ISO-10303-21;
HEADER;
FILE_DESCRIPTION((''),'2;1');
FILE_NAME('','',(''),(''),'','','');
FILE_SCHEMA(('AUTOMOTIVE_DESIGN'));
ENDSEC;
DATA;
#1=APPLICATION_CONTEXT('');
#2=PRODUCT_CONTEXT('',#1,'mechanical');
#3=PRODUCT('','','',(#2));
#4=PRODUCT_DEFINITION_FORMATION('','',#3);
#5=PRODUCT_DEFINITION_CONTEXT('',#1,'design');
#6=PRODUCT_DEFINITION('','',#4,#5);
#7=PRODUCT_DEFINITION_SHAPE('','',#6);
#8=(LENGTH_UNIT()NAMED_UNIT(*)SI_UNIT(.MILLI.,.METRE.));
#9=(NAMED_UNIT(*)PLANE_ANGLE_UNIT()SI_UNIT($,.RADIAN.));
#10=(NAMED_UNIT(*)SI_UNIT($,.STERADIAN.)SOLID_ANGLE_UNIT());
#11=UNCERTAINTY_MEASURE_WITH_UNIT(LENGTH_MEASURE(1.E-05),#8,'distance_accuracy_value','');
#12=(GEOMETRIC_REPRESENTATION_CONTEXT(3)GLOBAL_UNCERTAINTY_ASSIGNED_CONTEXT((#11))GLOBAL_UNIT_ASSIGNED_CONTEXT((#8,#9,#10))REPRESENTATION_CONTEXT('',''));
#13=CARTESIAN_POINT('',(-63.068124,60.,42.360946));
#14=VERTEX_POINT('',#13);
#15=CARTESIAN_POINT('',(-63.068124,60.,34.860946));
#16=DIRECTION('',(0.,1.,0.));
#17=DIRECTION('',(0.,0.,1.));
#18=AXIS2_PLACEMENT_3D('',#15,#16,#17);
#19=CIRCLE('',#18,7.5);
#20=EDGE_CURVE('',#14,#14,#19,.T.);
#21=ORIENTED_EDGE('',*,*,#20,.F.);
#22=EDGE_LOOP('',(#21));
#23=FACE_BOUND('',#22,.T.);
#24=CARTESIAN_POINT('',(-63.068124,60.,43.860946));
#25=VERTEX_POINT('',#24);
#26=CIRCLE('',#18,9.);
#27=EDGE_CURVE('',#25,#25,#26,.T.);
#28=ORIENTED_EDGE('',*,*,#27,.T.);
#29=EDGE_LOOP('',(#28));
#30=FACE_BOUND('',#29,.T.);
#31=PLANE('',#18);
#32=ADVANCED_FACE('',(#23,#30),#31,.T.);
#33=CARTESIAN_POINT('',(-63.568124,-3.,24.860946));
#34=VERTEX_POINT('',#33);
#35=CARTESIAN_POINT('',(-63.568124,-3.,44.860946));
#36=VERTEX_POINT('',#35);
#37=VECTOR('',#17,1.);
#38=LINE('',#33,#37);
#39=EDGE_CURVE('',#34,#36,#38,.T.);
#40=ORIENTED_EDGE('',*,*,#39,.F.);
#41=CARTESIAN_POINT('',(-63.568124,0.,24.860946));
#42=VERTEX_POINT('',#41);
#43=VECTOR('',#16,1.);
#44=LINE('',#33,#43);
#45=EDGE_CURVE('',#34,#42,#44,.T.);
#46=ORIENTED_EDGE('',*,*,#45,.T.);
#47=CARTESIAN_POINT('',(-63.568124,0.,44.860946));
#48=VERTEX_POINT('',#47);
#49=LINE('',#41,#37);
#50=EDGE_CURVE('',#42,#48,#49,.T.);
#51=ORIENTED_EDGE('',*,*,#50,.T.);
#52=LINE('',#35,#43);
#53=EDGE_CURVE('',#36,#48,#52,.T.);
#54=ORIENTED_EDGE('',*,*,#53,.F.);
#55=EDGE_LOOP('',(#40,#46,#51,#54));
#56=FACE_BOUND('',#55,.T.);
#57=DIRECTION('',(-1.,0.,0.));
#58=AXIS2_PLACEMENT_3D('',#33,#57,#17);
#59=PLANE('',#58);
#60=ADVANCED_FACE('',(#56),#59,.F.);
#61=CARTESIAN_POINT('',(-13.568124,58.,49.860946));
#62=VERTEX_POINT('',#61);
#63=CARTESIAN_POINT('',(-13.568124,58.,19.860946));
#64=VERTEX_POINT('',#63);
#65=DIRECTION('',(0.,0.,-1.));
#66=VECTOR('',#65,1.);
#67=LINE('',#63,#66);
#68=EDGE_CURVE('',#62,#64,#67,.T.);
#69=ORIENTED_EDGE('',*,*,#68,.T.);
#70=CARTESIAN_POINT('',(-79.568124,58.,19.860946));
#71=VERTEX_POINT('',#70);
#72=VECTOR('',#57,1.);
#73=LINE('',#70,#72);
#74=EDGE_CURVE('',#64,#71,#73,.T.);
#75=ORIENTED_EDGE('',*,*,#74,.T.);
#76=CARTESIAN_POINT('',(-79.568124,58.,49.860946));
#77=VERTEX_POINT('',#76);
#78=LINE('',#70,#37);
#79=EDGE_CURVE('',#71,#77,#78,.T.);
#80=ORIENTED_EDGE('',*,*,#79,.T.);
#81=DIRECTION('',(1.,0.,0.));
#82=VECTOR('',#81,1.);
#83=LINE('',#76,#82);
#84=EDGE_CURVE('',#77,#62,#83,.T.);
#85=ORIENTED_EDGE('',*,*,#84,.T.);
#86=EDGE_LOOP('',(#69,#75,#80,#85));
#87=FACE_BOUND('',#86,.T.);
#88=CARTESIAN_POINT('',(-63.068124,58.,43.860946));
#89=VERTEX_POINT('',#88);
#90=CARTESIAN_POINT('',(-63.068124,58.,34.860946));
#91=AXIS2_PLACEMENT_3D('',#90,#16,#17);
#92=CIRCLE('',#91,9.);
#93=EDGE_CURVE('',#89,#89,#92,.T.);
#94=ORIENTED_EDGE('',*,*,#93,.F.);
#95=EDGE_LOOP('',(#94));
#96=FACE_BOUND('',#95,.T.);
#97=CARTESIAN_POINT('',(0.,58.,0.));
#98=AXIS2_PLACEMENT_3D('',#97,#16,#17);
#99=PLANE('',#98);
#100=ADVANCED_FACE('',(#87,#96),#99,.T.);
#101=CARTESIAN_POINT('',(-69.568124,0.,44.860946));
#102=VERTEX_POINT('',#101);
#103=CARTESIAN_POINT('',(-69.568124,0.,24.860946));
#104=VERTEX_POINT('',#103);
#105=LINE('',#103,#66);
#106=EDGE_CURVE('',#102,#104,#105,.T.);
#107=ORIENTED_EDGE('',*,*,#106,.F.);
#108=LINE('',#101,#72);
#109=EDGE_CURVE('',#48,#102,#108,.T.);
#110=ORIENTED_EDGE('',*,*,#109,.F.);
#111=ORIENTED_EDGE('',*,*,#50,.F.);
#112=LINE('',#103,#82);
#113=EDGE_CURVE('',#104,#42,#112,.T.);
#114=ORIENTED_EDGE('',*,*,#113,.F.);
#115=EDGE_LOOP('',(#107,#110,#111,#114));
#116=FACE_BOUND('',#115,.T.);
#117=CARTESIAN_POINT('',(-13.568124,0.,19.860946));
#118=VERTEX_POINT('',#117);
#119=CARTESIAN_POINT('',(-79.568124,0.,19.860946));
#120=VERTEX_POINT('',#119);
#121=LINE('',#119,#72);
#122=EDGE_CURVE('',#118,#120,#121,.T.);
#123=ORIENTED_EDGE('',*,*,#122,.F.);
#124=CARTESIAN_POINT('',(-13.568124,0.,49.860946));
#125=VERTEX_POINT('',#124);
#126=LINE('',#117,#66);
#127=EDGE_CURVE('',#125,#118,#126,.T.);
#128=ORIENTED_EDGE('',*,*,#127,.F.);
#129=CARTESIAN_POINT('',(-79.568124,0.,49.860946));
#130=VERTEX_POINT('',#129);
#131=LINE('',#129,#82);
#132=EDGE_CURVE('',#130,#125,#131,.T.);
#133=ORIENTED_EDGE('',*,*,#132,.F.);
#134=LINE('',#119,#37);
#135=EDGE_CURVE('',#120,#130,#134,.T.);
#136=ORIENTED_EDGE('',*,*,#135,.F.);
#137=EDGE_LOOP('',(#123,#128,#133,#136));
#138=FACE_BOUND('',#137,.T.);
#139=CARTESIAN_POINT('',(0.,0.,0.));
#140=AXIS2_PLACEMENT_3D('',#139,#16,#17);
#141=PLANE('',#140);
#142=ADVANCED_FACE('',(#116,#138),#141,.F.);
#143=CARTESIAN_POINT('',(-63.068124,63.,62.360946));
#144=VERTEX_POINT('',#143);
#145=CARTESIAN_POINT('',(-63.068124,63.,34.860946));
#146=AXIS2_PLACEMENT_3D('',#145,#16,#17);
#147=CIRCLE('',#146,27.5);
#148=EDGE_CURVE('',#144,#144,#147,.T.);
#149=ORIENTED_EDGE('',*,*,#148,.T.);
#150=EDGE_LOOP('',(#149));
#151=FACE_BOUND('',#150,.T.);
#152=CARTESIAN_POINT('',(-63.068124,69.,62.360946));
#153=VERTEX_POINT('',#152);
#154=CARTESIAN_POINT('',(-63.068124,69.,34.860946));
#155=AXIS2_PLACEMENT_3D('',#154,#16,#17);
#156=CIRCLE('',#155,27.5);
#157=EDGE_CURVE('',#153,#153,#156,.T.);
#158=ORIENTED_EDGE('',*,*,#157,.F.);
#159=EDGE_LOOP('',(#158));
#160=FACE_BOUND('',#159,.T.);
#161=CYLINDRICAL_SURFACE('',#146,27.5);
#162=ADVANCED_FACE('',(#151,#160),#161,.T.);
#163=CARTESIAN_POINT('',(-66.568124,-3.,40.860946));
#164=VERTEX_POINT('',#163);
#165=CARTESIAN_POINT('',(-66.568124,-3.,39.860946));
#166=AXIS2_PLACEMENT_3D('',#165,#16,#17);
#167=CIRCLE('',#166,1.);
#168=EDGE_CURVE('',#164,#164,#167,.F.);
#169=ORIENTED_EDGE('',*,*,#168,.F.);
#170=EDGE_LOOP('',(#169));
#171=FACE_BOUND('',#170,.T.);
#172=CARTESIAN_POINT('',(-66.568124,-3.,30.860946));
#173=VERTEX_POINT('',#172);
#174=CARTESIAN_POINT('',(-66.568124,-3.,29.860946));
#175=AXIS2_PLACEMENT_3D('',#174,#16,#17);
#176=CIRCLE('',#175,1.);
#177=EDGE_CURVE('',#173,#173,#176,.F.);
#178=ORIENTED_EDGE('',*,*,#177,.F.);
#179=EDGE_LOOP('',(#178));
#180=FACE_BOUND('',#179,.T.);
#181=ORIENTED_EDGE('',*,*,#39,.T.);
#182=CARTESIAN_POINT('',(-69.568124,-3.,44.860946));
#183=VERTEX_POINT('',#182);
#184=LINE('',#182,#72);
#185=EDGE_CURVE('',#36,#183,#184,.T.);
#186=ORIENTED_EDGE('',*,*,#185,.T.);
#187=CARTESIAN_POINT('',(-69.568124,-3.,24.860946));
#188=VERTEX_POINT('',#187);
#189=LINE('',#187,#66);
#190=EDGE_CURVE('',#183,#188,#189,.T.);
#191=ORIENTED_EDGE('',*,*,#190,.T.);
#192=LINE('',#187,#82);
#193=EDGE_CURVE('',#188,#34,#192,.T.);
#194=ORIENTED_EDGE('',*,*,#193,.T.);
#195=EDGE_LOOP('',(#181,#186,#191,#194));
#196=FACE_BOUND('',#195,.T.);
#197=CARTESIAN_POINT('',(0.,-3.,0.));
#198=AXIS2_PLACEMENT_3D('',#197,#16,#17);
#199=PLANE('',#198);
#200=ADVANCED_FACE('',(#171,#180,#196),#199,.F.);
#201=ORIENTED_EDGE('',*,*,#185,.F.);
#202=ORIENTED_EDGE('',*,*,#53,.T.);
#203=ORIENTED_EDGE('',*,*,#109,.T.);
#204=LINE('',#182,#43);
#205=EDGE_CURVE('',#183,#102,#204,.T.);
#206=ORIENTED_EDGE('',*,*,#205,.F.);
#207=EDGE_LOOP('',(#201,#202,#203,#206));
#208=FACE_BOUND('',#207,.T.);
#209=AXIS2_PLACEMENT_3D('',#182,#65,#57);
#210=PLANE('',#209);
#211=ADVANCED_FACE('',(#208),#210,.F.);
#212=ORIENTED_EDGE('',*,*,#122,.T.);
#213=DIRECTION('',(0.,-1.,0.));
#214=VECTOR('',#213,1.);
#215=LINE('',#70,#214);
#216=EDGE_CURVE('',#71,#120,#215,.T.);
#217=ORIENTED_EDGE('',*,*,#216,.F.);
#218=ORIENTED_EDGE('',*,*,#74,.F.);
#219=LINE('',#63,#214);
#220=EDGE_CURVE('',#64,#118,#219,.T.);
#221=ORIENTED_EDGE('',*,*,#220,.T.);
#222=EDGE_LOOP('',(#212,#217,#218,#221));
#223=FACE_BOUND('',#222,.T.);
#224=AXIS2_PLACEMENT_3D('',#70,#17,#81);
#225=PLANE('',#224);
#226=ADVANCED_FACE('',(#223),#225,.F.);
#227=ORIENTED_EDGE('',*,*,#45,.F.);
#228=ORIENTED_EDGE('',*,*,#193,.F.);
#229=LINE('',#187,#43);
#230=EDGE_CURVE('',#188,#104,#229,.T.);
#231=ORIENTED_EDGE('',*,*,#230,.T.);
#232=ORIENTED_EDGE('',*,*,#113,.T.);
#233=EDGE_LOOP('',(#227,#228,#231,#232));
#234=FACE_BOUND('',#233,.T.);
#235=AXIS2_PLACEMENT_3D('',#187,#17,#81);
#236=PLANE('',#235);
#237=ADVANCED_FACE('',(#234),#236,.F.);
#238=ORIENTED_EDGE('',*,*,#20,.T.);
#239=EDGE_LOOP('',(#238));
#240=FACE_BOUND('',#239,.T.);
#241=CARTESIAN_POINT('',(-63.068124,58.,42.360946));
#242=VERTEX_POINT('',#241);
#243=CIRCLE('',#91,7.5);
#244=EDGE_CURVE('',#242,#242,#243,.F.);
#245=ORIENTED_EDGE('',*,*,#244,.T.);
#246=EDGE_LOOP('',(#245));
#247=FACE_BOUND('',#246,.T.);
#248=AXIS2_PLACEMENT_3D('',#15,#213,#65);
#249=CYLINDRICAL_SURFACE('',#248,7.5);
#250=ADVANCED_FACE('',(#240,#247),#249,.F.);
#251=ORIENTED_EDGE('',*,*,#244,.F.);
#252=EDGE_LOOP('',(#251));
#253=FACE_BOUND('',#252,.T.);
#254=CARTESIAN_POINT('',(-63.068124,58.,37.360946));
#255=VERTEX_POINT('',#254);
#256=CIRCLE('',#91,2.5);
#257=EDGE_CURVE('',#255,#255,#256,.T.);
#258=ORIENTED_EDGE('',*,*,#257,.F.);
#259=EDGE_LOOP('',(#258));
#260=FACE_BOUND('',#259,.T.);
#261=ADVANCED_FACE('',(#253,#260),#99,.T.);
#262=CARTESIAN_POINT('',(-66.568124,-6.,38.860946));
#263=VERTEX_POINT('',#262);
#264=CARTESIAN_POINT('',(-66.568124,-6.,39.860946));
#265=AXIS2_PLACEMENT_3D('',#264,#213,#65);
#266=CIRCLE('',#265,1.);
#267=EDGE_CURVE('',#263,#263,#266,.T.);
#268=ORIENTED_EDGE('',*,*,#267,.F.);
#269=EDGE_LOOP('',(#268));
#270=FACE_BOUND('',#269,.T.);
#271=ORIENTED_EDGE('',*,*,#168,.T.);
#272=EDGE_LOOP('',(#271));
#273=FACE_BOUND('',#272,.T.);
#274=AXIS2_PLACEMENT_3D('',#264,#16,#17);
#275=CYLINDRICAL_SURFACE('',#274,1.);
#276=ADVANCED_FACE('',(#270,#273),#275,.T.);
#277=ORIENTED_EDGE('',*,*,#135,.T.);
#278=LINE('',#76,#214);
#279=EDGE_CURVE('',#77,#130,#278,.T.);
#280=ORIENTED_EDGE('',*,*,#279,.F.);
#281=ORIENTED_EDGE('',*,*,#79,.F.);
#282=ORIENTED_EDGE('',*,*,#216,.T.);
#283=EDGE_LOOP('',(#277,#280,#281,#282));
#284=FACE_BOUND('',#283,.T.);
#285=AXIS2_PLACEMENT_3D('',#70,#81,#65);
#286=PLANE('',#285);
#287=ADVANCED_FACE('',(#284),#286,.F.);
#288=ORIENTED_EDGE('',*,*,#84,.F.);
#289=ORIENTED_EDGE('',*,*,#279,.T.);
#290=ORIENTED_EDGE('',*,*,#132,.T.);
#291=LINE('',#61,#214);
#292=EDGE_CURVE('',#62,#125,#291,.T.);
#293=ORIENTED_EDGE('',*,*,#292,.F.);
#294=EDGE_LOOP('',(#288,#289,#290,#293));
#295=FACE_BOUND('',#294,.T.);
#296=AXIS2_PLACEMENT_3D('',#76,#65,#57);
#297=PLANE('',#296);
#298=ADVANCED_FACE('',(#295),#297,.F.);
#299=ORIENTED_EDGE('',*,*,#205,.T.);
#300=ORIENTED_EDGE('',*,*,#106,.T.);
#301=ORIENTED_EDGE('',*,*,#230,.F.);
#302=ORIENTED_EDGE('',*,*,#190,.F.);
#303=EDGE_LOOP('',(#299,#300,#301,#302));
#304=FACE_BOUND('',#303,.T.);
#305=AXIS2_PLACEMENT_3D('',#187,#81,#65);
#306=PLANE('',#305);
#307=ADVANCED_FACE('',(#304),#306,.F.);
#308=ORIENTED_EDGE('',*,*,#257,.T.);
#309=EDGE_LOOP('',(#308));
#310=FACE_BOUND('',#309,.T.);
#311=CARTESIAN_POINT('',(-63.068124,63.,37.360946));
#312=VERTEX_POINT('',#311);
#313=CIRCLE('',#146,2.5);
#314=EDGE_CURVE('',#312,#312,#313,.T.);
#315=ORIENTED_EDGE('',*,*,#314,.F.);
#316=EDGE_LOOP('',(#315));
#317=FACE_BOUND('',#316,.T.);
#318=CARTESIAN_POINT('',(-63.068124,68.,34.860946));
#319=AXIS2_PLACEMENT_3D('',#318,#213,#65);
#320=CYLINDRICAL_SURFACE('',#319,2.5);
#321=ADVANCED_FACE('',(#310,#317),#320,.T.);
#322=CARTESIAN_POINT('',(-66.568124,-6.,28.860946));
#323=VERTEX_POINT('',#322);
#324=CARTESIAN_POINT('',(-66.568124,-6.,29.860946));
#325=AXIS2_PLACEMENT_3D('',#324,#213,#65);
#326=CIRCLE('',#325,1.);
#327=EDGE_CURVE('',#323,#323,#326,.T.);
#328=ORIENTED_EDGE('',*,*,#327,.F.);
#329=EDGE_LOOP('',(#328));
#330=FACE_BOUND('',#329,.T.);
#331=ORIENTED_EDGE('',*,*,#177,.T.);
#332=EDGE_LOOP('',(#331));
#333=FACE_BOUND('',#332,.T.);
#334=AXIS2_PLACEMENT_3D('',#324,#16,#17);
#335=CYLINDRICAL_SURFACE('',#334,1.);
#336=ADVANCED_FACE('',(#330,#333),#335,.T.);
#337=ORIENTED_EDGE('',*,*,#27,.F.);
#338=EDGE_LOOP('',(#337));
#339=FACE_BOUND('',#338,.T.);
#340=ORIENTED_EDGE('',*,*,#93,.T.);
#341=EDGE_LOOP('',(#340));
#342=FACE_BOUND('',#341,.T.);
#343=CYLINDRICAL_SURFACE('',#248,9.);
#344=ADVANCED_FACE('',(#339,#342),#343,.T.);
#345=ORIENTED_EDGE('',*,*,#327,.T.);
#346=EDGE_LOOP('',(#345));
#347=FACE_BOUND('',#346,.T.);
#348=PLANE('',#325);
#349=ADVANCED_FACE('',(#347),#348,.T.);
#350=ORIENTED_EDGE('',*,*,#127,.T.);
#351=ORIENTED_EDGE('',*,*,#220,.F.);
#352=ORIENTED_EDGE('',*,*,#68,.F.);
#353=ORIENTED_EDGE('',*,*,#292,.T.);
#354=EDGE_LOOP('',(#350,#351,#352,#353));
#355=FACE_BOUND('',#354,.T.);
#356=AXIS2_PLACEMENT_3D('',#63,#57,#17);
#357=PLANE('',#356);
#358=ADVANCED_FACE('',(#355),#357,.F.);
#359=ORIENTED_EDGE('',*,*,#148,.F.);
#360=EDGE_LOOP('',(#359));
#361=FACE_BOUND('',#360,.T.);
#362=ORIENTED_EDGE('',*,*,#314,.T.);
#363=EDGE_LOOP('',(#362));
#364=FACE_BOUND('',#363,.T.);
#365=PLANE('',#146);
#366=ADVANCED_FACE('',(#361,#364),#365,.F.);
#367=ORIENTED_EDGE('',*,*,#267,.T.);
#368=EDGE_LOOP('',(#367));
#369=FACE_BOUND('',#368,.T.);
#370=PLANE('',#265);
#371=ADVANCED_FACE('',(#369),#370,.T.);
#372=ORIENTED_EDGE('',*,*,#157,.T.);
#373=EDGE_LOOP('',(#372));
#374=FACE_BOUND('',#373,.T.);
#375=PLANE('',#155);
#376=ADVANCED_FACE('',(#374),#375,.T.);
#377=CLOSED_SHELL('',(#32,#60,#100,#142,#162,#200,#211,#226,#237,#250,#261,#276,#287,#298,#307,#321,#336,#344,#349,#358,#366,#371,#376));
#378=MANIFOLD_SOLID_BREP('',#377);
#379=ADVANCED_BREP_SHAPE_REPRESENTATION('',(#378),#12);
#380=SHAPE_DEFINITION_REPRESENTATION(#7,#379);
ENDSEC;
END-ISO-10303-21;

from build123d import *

# Parameters (mm, degrees)
SKETCH2_W                = 66
SKETCH2_H                = 30
BOSS_EXTRUDE1_DEPTH      = 58
SKETCH3_R                = 9
SKETCH3_R_2              = 7.5
BOSS_EXTRUDE2_DEPTH      = 2
SKETCH4_R                = 2.5
BOSS_EXTRUDE3_DEPTH      = 10
BOSS_EXTRUDE4_DEPTH      = 1
BOSS_EXTRUDE4_DEPTH_BACK = 5
SKETCH5_R                = 27.5
SKETCH6_W                = 6
SKETCH6_H                = 20
BOSS_EXTRUDE5_DEPTH      = 3
SKETCH7_R                = 1
BOSS_EXTRUDE6_DEPTH      = 3


with BuildPart() as part:
    # Sketch2 → Boss-Extrude1 (new body)
    with BuildSketch(Plane(origin=(0, 0, 0), x_dir=(1, 0, 0), z_dir=(0, 1, 0))):
        with Locations((-46.568123526, -34.860945828)):
            Rectangle(SKETCH2_W, SKETCH2_H)
    extrude(amount=BOSS_EXTRUDE1_DEPTH)

    # Sketch3 → Boss-Extrude2 (add)
    with BuildSketch(Plane(origin=(0, 58, 0), x_dir=(1, 0, 0), z_dir=(0, 1, 0))):
        with Locations(Location((-63.068123526, -34.860945828, 0), (0, 0, 270))):
            Circle(SKETCH3_R)
        with Locations(Location((-63.068123526, -34.860945828, 0), (0, 0, 270))):
            Circle(SKETCH3_R_2, mode=Mode.SUBTRACT)
    extrude(amount=BOSS_EXTRUDE2_DEPTH)

    # Sketch4 → Boss-Extrude3 (add)
    with BuildSketch(Plane(origin=(0, 58, 0), x_dir=(1, 0, 0), z_dir=(0, 1, 0))):
        with Locations(Location((-63.068123526, -34.860945828, 0), (0, 0, 270))):
            Circle(SKETCH4_R)
    extrude(amount=BOSS_EXTRUDE3_DEPTH)

    # Sketch5 → Boss-Extrude4 (add, two sides: drawn at the far end of the back side and taken through both)
    with BuildSketch(Plane(origin=(0, 68, 0), x_dir=(1, 0, 0), z_dir=(0, 1, 0)).offset(-BOSS_EXTRUDE4_DEPTH_BACK)):
        with Locations(Location((-63.068123526, -34.860945828, 0), (0, 0, 270))):
            Circle(SKETCH5_R)
    extrude(amount=BOSS_EXTRUDE4_DEPTH + BOSS_EXTRUDE4_DEPTH_BACK)

    # Sketch6 → Boss-Extrude5 (add)
    with BuildSketch(Plane.XZ):
        with Locations((-66.568123526, 34.860945828)):
            Rectangle(SKETCH6_W, SKETCH6_H)
    extrude(amount=BOSS_EXTRUDE5_DEPTH)

    # Sketch7 → Boss-Extrude6 (add)
    with BuildSketch(Plane.XZ.offset(3)):
        with Locations(Location((-66.568123526, 29.860945828, 0), (0, 0, 90))):
            Circle(SKETCH7_R)
        with Locations(Location((-66.568123526, 39.860945828, 0), (0, 0, 90))):
            Circle(SKETCH7_R)
    extrude(amount=BOSS_EXTRUDE6_DEPTH)


solid = part.part
